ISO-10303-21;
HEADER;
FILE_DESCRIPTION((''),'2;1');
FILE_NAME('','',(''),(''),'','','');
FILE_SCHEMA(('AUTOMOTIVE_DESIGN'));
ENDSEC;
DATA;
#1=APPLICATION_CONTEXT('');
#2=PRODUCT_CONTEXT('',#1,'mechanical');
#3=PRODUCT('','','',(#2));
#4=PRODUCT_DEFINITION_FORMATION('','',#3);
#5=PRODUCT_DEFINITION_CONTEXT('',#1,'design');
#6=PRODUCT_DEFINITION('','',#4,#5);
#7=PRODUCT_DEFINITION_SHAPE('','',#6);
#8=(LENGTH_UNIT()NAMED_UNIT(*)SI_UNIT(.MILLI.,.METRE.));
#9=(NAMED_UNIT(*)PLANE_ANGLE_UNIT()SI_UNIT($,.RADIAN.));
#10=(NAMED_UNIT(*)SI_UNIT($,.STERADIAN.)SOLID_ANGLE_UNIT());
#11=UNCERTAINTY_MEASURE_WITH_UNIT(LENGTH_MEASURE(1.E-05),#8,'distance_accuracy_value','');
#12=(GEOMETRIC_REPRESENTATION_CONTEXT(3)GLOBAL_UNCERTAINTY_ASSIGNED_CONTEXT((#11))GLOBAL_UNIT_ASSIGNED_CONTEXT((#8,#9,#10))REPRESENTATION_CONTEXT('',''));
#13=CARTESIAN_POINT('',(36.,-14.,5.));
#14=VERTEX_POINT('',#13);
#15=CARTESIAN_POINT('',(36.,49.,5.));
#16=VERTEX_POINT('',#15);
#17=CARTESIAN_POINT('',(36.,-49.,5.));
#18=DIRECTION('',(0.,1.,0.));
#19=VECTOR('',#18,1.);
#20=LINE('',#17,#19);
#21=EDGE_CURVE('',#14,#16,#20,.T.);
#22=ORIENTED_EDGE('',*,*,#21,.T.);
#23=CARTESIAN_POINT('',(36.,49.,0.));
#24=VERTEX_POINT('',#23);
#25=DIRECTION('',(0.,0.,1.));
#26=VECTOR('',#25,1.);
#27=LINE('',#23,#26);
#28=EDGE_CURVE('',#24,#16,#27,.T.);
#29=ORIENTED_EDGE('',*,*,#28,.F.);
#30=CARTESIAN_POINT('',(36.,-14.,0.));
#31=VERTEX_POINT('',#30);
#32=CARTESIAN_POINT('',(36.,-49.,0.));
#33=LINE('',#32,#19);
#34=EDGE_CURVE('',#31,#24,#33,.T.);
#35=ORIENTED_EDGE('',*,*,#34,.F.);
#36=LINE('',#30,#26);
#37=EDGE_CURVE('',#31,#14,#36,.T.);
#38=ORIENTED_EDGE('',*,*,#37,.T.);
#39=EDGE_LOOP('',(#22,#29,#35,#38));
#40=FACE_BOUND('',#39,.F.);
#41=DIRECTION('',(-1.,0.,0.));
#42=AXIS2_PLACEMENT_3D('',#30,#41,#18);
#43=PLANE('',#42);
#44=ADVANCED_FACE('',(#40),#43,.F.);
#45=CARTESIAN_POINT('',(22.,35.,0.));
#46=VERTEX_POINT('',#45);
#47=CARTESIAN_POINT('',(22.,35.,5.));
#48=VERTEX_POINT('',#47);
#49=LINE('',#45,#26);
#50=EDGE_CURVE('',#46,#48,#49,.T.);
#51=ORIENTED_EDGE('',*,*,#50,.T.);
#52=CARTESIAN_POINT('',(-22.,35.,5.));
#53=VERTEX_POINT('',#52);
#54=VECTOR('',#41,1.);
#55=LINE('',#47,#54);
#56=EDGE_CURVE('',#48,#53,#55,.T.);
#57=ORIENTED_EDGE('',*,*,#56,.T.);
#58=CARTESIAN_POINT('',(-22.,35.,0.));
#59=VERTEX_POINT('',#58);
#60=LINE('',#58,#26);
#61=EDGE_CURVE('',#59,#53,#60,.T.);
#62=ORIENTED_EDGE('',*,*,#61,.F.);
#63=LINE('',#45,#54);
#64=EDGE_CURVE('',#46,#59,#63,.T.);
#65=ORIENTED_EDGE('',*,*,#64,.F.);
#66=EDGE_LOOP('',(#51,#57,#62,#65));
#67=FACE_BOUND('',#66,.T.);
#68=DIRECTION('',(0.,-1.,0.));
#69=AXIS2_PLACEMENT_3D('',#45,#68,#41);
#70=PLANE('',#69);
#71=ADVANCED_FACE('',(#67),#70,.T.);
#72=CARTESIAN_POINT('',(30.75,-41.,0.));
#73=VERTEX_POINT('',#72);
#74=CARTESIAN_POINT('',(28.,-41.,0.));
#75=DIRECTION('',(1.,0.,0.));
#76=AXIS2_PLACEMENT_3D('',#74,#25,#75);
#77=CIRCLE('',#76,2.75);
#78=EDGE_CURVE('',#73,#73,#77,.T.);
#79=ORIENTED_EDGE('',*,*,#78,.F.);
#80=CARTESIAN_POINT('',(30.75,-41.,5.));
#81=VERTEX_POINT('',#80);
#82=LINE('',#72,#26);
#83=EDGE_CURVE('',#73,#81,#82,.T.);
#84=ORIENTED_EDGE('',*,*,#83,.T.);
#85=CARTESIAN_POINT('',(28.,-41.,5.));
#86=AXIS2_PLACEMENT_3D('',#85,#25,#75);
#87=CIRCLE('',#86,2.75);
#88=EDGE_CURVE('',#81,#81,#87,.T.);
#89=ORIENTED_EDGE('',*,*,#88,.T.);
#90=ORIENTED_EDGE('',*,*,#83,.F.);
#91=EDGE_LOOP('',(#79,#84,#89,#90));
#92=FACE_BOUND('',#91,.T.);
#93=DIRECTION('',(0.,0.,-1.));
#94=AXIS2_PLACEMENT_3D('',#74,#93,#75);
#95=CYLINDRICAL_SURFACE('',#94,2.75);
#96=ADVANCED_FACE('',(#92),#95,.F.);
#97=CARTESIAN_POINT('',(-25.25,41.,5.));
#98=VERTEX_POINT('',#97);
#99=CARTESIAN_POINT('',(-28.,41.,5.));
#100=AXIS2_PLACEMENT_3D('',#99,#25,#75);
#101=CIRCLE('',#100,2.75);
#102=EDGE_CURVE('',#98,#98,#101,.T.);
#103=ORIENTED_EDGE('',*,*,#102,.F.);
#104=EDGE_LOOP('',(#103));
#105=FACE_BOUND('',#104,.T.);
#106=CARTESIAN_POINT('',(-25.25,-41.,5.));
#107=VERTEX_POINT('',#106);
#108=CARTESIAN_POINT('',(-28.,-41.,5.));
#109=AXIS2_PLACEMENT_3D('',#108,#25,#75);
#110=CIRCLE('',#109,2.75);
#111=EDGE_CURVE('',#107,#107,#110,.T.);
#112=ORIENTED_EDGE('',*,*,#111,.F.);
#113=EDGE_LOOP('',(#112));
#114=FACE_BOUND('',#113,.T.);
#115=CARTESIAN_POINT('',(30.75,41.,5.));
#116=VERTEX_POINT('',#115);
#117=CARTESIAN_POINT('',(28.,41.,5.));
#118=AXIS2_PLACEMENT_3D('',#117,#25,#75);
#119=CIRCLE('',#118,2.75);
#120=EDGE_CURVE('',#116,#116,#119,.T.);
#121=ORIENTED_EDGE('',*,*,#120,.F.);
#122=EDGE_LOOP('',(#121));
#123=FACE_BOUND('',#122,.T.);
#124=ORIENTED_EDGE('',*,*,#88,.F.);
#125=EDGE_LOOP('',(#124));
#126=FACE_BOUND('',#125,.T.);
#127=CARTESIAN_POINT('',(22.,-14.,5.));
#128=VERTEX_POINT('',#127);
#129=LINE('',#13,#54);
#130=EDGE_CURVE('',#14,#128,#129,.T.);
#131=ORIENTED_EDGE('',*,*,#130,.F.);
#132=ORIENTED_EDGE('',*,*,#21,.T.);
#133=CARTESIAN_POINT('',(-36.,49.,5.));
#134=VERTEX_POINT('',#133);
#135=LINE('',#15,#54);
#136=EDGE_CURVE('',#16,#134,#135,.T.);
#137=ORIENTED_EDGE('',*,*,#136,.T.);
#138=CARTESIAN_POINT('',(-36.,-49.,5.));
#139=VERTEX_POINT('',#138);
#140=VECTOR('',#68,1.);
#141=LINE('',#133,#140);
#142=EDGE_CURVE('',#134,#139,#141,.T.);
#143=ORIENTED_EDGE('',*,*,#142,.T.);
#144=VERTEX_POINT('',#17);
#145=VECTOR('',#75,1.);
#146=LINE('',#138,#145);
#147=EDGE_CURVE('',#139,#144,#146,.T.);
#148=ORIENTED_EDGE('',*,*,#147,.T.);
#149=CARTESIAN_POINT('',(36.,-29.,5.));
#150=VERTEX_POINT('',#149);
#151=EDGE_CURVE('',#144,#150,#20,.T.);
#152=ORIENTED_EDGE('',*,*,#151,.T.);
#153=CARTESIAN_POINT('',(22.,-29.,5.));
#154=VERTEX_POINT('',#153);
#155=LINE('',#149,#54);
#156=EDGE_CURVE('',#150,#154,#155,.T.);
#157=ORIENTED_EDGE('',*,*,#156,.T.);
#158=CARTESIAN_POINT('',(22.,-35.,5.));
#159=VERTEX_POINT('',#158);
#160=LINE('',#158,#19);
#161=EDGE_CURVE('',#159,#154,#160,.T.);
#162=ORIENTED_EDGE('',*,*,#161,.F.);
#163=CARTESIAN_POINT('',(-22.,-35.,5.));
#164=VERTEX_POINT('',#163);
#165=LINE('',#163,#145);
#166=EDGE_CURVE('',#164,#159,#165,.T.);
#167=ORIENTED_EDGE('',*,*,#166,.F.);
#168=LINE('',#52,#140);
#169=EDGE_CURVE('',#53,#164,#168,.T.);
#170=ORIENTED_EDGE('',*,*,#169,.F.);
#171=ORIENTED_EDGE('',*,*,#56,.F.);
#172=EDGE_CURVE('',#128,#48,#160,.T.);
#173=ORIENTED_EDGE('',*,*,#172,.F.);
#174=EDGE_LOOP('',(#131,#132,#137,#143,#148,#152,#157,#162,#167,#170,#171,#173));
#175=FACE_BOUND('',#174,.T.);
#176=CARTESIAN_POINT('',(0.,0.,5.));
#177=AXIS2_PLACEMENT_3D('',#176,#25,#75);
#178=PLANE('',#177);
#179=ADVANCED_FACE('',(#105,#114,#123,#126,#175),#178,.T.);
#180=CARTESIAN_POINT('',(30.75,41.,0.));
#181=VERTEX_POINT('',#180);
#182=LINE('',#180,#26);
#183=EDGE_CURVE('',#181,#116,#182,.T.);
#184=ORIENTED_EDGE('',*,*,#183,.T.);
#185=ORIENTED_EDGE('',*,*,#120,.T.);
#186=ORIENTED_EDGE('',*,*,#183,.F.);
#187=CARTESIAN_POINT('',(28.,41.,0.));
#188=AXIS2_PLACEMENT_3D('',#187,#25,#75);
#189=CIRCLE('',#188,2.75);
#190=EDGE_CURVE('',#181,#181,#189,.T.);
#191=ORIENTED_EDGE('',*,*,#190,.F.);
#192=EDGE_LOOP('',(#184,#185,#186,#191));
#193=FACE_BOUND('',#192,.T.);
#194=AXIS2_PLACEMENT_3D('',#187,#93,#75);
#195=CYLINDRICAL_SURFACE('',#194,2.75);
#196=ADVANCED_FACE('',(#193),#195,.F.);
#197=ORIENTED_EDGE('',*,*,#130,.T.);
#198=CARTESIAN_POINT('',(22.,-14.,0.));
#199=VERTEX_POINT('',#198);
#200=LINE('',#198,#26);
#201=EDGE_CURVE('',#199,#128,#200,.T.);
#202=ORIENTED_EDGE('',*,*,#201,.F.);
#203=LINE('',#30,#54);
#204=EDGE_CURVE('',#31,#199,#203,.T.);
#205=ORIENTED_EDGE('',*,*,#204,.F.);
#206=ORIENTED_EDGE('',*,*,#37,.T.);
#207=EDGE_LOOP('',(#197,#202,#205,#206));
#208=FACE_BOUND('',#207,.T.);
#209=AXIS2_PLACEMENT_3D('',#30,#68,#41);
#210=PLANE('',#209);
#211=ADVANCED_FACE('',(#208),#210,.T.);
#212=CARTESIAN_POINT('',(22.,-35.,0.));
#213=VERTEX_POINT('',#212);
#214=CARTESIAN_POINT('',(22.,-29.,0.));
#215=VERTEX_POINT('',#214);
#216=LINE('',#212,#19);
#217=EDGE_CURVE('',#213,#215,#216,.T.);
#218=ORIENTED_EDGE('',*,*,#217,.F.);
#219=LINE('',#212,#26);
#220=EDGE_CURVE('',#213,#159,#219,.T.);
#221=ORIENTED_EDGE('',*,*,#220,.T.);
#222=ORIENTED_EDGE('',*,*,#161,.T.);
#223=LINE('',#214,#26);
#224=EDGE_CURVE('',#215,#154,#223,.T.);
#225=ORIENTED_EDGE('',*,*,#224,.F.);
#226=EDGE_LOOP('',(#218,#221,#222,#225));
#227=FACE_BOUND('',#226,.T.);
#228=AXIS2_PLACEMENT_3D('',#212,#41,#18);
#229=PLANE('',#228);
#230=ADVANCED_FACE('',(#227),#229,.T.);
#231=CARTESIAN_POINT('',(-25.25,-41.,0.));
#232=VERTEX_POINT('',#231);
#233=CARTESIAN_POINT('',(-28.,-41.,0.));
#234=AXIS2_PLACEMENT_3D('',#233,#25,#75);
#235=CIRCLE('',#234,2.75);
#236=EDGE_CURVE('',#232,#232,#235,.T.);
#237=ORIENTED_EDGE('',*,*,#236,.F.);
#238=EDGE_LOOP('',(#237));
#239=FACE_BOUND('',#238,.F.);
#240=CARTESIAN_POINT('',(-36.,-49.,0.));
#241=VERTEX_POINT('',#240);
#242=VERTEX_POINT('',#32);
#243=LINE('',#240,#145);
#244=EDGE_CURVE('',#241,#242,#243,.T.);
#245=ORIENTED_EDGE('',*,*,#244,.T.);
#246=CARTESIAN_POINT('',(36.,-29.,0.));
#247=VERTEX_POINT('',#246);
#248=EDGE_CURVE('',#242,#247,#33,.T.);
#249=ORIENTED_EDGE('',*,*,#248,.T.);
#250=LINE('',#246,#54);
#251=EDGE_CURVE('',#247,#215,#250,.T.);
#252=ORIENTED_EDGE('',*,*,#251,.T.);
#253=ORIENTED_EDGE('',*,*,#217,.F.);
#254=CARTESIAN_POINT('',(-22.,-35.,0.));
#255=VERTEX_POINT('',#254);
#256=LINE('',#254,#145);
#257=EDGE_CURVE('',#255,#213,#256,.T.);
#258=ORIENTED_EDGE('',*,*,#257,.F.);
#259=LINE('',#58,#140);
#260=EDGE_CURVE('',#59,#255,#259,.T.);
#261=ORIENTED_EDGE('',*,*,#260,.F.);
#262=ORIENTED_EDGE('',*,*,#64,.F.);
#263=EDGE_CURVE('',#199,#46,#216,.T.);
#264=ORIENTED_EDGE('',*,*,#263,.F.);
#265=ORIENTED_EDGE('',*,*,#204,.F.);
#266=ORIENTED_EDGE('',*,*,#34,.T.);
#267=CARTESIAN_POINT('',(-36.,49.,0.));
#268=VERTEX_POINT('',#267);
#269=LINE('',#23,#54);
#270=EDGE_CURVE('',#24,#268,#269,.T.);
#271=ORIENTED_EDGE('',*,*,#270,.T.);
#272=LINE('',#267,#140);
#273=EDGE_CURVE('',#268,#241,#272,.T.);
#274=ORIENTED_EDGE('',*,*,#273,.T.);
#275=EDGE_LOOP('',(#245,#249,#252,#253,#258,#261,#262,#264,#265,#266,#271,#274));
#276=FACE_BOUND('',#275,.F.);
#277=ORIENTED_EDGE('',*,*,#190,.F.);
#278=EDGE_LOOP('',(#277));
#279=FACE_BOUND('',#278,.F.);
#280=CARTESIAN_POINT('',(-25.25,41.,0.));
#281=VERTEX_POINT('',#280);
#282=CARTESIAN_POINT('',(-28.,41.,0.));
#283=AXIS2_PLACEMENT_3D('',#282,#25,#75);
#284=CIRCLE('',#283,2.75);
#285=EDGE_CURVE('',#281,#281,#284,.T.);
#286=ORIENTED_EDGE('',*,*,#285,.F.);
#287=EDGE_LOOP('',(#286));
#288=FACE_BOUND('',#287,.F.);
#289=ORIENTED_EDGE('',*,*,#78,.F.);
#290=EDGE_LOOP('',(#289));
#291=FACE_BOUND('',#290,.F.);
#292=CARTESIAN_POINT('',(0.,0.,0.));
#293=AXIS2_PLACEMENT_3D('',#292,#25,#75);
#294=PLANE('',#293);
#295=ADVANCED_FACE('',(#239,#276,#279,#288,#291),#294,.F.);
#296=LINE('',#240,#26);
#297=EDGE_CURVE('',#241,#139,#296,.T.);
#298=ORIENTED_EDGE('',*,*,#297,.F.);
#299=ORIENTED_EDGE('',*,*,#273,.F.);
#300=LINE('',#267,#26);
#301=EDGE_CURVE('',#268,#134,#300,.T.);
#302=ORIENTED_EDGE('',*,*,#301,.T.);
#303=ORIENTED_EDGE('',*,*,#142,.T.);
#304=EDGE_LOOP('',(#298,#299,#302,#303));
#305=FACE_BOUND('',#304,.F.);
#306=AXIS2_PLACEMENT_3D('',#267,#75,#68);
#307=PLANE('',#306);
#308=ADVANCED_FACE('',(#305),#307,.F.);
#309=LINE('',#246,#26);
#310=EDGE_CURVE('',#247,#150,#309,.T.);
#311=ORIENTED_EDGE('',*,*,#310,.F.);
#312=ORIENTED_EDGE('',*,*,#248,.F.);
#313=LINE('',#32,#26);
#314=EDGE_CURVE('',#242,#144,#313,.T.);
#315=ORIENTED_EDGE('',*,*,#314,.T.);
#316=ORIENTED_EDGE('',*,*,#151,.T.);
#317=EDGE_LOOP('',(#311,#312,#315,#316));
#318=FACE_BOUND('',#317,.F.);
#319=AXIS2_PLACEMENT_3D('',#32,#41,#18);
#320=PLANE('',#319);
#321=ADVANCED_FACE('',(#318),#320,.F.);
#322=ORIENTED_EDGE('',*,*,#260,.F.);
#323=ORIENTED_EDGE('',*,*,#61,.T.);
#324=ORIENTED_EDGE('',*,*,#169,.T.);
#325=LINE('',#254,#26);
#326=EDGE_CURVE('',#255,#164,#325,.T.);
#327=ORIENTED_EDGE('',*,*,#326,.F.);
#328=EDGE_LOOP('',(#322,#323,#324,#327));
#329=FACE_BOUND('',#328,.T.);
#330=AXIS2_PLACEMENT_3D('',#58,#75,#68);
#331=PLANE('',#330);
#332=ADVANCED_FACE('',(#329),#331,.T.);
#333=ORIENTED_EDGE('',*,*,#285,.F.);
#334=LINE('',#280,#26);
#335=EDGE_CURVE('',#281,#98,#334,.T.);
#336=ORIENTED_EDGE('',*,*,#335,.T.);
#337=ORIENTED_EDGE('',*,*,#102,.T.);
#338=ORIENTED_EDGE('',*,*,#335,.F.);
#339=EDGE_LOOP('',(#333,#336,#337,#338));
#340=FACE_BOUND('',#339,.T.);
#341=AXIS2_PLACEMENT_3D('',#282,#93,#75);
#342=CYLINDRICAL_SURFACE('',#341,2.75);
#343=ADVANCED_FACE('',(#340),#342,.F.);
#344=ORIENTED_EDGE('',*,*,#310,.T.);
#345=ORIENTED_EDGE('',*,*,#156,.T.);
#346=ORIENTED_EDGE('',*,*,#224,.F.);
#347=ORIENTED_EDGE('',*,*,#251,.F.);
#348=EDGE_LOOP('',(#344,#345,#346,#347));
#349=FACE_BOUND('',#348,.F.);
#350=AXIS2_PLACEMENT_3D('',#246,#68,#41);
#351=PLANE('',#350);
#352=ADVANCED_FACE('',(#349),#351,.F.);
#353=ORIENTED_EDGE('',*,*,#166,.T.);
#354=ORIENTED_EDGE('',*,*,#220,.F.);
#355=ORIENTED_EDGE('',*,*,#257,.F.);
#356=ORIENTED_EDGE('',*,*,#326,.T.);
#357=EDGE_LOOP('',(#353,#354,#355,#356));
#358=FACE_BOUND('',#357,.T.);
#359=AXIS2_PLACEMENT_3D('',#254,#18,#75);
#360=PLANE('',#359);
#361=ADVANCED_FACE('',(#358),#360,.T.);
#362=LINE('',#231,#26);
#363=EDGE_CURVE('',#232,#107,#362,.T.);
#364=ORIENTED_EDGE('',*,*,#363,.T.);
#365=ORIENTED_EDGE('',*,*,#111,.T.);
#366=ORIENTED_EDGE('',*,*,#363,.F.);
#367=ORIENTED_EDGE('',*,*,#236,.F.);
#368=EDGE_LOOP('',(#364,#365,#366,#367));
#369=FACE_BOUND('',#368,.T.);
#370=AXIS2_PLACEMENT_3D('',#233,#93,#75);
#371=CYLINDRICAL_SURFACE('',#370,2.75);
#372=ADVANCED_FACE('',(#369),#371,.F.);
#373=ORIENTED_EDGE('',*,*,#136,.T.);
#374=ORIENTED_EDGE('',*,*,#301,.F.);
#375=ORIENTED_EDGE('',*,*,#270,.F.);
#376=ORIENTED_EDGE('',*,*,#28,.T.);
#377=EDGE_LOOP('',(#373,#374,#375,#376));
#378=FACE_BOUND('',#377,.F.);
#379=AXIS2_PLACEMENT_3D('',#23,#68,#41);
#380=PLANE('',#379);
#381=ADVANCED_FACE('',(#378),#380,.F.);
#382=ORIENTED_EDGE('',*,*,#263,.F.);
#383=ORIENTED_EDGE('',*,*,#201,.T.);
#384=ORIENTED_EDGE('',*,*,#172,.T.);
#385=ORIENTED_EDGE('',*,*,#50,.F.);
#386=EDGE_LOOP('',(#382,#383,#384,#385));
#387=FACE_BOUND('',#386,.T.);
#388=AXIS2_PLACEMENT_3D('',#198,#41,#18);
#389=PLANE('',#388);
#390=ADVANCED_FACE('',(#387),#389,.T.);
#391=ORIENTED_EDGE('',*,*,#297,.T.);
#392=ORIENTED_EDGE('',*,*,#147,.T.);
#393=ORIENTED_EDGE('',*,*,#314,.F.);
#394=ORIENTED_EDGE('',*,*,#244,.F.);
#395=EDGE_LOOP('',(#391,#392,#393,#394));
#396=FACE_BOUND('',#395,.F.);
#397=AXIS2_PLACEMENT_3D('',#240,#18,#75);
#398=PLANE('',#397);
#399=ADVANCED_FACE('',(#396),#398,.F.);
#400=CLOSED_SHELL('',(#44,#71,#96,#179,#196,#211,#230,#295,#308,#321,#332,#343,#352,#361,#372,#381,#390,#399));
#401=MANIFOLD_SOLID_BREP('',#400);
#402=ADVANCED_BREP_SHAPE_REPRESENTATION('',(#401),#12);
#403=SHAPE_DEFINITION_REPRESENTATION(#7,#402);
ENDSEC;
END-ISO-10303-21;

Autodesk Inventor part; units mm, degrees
ref_plane "YZ Plane" through (0, 0, 0) normal (1, 0, 0) x (0, 1, 0)
ref_plane "XZ Plane" through (0, 0, 0) normal (0, 1, 0) x (-1, 0, 0)
ref_plane "XY Plane" through (0, 0, 0) normal (0, 0, 1) x (1, 0, 0)
ref_plane "Plano de trabajo1" through (0, 0, 0) normal (0, 0, 1) x (1, 0, 0)
sketch "Boceto1" plane through (0, 0, 0) normal (0, 0, 1) x (1, 0, 0)
  line L0 (-22, -35) -> (22, -35) projected
  line L1 (-22, 35) -> (-22, -35) projected
  line L2 (22, 35) -> (-22, 35) projected
  line L3 (22, -35) -> (22, 35) projected
  line L4 (-36, -49) -> (36, -49) projected
  line L5 (36, -49) -> (36, 49) projected
  line L6 (36, 49) -> (-36, 49) projected
  line L7 (-36, 49) -> (-36, -49) projected
  line L8 (-36, -49) -> (36, -49)
  line L9 (36, -49) -> (36, 49)
  line L10 (36, 49) -> (-36, 49)
  line L11 (-36, 49) -> (-36, -49)
  line L12 (-22, -35) -> (22, -35)
  line L13 (22, 35) -> (-22, 35)
  line L14 (-22, 35) -> (-22, -35)
  circle A0 centre (28, -41) radius 2.75 projected
  circle A1 centre (-28, 41) radius 2.75 projected
  circle A2 centre (28, 41) radius 2.75 projected
  circle A3 centre (-28, -41) radius 2.75 projected
  line L15 (36, -49) -> (36, -29)
  line L16 (36, -29) -> (22, -29)
  line L17 (36, -29) -> (36, -14)
  line L18 (36, -14) -> (22, -14)
  line L19 (22, -35) -> (22, -29)
  line L20 (22, -14) -> (22, 35)
  point P0 (0, 0)
  dimension "d16" = 20
  dimension "d17" = 15
  dimension "d18" = 0
ref_plane "Plano de trabajo4" through (0, 0, 5) normal (0, 0, 1) x (1, 0, 0)
ref_plane "Plano de trabajo3" through (0, 0, 5) normal (0, 0, 1) x (1, 0, 0)
ref_plane "Plano de trabajo2" through (0, 0, 5) normal (0, 0, 1) x (1, 0, 0)
sketch "Boceto4" plane through (0, 0, 5) normal (0, 0, 1) x (1, 0, 0)
  point P0 (0, 0)
extrude "Extrusión2" add sketch "Boceto1" along normal blind 5 contours L0 L3 L16 L5 L4 L7 L6 L18 L2 L1
sketch "Boceto2" plane through (0, 0, 5) normal (0, 0, 1) x (1, 0, 0)
  point P0 (-28, 41)
  point P1 (28, 41)
  point P2 (28, -41)
  point P3 (-28, -41)
sketch "Boceto3" plane through (0, 0, 5) normal (0, 0, 1) x (1, 0, 0)
  point P0 (-28, 41)
  point P1 (28, 41)
  point P2 (28, -41)
  point P3 (-28, -41)
